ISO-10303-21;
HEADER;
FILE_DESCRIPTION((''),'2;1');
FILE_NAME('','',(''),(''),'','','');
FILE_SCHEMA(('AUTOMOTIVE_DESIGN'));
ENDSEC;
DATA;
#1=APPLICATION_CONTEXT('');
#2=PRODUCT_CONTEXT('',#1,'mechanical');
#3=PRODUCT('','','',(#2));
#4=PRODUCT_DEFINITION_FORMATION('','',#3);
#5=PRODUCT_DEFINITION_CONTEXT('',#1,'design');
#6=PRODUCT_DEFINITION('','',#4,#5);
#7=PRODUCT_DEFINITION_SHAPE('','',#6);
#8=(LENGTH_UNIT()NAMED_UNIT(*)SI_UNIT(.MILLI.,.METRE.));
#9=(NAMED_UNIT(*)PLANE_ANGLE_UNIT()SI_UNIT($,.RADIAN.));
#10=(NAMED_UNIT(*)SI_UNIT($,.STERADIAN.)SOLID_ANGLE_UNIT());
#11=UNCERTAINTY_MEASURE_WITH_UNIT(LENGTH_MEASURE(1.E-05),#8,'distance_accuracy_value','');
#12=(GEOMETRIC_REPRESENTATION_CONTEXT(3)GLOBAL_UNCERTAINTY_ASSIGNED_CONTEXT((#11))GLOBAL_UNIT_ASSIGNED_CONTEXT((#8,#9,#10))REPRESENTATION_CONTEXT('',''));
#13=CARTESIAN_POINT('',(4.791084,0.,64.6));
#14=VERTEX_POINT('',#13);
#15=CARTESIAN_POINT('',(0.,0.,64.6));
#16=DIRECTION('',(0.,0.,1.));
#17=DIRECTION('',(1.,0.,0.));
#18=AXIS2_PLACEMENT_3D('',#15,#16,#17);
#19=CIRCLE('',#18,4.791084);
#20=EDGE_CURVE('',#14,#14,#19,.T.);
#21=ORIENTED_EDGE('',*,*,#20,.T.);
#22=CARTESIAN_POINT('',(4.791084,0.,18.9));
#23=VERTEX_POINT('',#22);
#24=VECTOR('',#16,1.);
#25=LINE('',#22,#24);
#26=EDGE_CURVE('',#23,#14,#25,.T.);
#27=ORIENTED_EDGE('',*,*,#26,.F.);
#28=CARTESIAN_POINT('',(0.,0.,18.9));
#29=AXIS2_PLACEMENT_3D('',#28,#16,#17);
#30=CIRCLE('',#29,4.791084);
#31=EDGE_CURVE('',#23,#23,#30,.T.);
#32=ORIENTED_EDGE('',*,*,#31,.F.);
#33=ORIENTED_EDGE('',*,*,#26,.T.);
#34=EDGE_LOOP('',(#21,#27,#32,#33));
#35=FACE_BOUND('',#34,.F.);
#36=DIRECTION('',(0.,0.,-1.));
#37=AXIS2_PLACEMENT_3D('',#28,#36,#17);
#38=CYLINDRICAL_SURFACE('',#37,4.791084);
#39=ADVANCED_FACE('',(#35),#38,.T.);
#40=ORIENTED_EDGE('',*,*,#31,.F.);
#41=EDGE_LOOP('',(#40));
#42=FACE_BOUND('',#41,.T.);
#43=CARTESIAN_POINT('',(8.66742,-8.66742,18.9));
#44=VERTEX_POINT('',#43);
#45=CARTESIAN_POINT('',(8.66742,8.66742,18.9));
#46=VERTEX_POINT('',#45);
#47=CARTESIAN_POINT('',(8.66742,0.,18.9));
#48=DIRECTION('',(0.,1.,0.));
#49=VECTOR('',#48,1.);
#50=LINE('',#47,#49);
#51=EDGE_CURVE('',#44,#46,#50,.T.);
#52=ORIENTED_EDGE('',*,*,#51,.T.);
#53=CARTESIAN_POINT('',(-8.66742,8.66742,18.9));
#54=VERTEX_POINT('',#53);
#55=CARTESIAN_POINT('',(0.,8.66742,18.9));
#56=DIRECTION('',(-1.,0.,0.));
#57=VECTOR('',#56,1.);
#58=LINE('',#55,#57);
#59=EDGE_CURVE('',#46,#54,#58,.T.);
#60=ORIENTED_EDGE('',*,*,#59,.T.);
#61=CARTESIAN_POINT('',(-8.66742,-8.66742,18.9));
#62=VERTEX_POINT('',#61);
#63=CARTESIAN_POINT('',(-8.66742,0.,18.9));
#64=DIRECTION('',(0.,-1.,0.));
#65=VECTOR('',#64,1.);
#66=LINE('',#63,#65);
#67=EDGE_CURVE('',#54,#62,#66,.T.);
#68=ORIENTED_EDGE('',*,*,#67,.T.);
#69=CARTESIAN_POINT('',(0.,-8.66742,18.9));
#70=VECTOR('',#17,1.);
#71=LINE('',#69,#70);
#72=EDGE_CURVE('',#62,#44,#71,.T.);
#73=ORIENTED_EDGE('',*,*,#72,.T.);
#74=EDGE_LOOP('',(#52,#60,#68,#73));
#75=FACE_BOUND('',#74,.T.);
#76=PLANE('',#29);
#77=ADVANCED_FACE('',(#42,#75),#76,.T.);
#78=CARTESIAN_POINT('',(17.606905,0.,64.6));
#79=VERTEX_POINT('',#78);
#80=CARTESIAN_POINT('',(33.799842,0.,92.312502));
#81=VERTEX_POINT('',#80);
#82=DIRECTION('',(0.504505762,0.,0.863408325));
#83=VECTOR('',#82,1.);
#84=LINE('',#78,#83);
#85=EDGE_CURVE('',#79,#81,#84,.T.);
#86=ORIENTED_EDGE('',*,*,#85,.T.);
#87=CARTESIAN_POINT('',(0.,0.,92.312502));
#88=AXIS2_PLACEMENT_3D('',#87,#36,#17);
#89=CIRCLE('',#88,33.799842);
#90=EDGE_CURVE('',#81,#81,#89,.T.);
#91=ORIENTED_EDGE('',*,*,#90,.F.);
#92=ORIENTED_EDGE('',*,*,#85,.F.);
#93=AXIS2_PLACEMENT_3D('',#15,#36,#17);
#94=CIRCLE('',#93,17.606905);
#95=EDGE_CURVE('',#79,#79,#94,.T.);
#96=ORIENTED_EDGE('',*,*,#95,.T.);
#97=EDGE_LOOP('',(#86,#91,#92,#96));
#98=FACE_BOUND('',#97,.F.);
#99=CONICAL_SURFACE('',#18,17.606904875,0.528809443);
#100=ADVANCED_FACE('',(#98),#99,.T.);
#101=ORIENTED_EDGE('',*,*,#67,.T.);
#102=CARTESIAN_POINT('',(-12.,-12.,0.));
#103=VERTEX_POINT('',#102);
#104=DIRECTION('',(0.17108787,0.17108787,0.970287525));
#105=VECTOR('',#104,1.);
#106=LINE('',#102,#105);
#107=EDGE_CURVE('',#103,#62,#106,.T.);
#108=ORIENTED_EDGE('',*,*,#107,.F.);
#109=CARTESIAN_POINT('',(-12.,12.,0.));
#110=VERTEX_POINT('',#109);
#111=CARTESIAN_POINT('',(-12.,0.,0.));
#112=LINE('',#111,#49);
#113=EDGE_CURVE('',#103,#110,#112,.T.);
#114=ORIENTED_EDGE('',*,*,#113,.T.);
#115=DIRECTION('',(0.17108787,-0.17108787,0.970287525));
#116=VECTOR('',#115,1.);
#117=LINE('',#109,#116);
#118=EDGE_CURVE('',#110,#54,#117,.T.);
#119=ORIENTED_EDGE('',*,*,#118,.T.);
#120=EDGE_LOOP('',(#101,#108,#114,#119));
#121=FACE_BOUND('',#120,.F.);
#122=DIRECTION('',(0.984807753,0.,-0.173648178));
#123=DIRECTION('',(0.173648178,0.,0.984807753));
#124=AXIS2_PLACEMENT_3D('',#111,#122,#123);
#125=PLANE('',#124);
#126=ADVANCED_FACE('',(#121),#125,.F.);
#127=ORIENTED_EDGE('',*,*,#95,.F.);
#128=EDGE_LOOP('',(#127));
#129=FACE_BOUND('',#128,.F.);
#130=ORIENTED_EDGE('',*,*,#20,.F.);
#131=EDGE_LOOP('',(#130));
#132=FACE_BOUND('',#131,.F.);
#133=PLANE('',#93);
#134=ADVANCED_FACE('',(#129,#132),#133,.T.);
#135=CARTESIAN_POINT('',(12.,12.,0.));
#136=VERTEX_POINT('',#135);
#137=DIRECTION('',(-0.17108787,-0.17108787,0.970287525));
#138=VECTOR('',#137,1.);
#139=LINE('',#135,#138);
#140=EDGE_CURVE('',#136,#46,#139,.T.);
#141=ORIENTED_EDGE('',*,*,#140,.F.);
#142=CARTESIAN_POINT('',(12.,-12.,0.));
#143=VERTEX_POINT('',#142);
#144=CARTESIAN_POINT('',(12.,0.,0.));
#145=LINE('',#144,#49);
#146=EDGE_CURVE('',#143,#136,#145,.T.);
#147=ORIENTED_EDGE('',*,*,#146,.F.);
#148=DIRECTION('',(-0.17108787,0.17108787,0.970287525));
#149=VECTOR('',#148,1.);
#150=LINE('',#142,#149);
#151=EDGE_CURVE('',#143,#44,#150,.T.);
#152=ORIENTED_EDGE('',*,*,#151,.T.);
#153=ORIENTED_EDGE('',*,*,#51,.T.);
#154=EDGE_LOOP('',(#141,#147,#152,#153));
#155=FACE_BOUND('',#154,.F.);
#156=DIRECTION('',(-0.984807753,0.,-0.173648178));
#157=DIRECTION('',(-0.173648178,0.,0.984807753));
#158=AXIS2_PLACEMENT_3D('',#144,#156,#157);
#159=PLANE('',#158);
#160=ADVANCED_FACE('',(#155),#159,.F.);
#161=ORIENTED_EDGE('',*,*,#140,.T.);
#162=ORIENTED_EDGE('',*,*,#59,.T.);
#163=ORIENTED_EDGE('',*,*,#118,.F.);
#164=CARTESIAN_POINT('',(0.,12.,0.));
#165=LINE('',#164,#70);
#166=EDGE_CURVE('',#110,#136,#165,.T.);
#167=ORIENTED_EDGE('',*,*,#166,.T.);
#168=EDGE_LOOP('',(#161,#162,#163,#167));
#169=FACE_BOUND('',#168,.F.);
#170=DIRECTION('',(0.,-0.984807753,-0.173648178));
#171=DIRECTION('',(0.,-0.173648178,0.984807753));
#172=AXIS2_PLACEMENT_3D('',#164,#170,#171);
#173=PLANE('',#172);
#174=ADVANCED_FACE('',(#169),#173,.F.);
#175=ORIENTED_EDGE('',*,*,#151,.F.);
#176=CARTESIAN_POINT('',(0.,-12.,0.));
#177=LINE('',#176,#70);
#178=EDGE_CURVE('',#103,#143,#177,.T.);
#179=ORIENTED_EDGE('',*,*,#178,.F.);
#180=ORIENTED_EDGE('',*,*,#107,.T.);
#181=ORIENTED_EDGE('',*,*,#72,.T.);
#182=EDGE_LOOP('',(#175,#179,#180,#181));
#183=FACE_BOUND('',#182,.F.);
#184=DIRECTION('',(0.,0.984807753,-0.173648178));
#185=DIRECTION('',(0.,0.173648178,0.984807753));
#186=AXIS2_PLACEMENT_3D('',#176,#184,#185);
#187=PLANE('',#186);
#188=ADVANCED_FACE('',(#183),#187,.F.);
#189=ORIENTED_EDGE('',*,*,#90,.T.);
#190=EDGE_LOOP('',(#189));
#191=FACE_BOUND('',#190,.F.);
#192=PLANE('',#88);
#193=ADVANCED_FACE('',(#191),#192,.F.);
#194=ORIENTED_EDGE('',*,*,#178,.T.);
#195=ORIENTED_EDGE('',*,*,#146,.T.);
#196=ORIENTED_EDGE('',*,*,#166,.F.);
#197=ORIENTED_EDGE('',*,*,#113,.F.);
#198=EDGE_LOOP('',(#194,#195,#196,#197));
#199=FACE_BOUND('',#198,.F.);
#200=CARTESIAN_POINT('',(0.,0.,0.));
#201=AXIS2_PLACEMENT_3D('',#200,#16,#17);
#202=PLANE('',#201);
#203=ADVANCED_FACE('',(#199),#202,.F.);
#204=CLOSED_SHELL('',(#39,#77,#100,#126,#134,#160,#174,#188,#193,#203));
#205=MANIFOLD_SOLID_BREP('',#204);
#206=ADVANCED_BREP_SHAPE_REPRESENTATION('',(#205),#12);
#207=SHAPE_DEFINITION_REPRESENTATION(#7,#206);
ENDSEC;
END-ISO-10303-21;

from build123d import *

# Parameters (mm, degrees)
F0_W     = 24
F0_H     = 24
F1_DEPTH = 18.9
F1_TAPER = 10
F2_R     = 4.7910842269
F3_DEPTH = 45.7


with BuildPart() as f1:
    # F0 (on Top) → F1 (new body)
    with BuildSketch(Plane.XY):
        Rectangle(F0_W, F0_H)
    extrude(amount=F1_DEPTH, taper=F1_TAPER)

    # F2 (on face) → F3 (join)
    with BuildSketch(Plane.XY.offset(18.9)):
        Circle(F2_R)
    extrude(amount=F3_DEPTH)

    # F4 (on Front) → F5 (revolve)
    with BuildSketch(Plane.XZ):
        Polygon((0, 92.3125015855), (0, 64.6), (17.6069048751, 64.6), (33.799842, 92.3125015855), align=None)
    revolve(axis=Axis((0, 0, 78.4562507927), (0, 0, -1)))


solid = f1.part
